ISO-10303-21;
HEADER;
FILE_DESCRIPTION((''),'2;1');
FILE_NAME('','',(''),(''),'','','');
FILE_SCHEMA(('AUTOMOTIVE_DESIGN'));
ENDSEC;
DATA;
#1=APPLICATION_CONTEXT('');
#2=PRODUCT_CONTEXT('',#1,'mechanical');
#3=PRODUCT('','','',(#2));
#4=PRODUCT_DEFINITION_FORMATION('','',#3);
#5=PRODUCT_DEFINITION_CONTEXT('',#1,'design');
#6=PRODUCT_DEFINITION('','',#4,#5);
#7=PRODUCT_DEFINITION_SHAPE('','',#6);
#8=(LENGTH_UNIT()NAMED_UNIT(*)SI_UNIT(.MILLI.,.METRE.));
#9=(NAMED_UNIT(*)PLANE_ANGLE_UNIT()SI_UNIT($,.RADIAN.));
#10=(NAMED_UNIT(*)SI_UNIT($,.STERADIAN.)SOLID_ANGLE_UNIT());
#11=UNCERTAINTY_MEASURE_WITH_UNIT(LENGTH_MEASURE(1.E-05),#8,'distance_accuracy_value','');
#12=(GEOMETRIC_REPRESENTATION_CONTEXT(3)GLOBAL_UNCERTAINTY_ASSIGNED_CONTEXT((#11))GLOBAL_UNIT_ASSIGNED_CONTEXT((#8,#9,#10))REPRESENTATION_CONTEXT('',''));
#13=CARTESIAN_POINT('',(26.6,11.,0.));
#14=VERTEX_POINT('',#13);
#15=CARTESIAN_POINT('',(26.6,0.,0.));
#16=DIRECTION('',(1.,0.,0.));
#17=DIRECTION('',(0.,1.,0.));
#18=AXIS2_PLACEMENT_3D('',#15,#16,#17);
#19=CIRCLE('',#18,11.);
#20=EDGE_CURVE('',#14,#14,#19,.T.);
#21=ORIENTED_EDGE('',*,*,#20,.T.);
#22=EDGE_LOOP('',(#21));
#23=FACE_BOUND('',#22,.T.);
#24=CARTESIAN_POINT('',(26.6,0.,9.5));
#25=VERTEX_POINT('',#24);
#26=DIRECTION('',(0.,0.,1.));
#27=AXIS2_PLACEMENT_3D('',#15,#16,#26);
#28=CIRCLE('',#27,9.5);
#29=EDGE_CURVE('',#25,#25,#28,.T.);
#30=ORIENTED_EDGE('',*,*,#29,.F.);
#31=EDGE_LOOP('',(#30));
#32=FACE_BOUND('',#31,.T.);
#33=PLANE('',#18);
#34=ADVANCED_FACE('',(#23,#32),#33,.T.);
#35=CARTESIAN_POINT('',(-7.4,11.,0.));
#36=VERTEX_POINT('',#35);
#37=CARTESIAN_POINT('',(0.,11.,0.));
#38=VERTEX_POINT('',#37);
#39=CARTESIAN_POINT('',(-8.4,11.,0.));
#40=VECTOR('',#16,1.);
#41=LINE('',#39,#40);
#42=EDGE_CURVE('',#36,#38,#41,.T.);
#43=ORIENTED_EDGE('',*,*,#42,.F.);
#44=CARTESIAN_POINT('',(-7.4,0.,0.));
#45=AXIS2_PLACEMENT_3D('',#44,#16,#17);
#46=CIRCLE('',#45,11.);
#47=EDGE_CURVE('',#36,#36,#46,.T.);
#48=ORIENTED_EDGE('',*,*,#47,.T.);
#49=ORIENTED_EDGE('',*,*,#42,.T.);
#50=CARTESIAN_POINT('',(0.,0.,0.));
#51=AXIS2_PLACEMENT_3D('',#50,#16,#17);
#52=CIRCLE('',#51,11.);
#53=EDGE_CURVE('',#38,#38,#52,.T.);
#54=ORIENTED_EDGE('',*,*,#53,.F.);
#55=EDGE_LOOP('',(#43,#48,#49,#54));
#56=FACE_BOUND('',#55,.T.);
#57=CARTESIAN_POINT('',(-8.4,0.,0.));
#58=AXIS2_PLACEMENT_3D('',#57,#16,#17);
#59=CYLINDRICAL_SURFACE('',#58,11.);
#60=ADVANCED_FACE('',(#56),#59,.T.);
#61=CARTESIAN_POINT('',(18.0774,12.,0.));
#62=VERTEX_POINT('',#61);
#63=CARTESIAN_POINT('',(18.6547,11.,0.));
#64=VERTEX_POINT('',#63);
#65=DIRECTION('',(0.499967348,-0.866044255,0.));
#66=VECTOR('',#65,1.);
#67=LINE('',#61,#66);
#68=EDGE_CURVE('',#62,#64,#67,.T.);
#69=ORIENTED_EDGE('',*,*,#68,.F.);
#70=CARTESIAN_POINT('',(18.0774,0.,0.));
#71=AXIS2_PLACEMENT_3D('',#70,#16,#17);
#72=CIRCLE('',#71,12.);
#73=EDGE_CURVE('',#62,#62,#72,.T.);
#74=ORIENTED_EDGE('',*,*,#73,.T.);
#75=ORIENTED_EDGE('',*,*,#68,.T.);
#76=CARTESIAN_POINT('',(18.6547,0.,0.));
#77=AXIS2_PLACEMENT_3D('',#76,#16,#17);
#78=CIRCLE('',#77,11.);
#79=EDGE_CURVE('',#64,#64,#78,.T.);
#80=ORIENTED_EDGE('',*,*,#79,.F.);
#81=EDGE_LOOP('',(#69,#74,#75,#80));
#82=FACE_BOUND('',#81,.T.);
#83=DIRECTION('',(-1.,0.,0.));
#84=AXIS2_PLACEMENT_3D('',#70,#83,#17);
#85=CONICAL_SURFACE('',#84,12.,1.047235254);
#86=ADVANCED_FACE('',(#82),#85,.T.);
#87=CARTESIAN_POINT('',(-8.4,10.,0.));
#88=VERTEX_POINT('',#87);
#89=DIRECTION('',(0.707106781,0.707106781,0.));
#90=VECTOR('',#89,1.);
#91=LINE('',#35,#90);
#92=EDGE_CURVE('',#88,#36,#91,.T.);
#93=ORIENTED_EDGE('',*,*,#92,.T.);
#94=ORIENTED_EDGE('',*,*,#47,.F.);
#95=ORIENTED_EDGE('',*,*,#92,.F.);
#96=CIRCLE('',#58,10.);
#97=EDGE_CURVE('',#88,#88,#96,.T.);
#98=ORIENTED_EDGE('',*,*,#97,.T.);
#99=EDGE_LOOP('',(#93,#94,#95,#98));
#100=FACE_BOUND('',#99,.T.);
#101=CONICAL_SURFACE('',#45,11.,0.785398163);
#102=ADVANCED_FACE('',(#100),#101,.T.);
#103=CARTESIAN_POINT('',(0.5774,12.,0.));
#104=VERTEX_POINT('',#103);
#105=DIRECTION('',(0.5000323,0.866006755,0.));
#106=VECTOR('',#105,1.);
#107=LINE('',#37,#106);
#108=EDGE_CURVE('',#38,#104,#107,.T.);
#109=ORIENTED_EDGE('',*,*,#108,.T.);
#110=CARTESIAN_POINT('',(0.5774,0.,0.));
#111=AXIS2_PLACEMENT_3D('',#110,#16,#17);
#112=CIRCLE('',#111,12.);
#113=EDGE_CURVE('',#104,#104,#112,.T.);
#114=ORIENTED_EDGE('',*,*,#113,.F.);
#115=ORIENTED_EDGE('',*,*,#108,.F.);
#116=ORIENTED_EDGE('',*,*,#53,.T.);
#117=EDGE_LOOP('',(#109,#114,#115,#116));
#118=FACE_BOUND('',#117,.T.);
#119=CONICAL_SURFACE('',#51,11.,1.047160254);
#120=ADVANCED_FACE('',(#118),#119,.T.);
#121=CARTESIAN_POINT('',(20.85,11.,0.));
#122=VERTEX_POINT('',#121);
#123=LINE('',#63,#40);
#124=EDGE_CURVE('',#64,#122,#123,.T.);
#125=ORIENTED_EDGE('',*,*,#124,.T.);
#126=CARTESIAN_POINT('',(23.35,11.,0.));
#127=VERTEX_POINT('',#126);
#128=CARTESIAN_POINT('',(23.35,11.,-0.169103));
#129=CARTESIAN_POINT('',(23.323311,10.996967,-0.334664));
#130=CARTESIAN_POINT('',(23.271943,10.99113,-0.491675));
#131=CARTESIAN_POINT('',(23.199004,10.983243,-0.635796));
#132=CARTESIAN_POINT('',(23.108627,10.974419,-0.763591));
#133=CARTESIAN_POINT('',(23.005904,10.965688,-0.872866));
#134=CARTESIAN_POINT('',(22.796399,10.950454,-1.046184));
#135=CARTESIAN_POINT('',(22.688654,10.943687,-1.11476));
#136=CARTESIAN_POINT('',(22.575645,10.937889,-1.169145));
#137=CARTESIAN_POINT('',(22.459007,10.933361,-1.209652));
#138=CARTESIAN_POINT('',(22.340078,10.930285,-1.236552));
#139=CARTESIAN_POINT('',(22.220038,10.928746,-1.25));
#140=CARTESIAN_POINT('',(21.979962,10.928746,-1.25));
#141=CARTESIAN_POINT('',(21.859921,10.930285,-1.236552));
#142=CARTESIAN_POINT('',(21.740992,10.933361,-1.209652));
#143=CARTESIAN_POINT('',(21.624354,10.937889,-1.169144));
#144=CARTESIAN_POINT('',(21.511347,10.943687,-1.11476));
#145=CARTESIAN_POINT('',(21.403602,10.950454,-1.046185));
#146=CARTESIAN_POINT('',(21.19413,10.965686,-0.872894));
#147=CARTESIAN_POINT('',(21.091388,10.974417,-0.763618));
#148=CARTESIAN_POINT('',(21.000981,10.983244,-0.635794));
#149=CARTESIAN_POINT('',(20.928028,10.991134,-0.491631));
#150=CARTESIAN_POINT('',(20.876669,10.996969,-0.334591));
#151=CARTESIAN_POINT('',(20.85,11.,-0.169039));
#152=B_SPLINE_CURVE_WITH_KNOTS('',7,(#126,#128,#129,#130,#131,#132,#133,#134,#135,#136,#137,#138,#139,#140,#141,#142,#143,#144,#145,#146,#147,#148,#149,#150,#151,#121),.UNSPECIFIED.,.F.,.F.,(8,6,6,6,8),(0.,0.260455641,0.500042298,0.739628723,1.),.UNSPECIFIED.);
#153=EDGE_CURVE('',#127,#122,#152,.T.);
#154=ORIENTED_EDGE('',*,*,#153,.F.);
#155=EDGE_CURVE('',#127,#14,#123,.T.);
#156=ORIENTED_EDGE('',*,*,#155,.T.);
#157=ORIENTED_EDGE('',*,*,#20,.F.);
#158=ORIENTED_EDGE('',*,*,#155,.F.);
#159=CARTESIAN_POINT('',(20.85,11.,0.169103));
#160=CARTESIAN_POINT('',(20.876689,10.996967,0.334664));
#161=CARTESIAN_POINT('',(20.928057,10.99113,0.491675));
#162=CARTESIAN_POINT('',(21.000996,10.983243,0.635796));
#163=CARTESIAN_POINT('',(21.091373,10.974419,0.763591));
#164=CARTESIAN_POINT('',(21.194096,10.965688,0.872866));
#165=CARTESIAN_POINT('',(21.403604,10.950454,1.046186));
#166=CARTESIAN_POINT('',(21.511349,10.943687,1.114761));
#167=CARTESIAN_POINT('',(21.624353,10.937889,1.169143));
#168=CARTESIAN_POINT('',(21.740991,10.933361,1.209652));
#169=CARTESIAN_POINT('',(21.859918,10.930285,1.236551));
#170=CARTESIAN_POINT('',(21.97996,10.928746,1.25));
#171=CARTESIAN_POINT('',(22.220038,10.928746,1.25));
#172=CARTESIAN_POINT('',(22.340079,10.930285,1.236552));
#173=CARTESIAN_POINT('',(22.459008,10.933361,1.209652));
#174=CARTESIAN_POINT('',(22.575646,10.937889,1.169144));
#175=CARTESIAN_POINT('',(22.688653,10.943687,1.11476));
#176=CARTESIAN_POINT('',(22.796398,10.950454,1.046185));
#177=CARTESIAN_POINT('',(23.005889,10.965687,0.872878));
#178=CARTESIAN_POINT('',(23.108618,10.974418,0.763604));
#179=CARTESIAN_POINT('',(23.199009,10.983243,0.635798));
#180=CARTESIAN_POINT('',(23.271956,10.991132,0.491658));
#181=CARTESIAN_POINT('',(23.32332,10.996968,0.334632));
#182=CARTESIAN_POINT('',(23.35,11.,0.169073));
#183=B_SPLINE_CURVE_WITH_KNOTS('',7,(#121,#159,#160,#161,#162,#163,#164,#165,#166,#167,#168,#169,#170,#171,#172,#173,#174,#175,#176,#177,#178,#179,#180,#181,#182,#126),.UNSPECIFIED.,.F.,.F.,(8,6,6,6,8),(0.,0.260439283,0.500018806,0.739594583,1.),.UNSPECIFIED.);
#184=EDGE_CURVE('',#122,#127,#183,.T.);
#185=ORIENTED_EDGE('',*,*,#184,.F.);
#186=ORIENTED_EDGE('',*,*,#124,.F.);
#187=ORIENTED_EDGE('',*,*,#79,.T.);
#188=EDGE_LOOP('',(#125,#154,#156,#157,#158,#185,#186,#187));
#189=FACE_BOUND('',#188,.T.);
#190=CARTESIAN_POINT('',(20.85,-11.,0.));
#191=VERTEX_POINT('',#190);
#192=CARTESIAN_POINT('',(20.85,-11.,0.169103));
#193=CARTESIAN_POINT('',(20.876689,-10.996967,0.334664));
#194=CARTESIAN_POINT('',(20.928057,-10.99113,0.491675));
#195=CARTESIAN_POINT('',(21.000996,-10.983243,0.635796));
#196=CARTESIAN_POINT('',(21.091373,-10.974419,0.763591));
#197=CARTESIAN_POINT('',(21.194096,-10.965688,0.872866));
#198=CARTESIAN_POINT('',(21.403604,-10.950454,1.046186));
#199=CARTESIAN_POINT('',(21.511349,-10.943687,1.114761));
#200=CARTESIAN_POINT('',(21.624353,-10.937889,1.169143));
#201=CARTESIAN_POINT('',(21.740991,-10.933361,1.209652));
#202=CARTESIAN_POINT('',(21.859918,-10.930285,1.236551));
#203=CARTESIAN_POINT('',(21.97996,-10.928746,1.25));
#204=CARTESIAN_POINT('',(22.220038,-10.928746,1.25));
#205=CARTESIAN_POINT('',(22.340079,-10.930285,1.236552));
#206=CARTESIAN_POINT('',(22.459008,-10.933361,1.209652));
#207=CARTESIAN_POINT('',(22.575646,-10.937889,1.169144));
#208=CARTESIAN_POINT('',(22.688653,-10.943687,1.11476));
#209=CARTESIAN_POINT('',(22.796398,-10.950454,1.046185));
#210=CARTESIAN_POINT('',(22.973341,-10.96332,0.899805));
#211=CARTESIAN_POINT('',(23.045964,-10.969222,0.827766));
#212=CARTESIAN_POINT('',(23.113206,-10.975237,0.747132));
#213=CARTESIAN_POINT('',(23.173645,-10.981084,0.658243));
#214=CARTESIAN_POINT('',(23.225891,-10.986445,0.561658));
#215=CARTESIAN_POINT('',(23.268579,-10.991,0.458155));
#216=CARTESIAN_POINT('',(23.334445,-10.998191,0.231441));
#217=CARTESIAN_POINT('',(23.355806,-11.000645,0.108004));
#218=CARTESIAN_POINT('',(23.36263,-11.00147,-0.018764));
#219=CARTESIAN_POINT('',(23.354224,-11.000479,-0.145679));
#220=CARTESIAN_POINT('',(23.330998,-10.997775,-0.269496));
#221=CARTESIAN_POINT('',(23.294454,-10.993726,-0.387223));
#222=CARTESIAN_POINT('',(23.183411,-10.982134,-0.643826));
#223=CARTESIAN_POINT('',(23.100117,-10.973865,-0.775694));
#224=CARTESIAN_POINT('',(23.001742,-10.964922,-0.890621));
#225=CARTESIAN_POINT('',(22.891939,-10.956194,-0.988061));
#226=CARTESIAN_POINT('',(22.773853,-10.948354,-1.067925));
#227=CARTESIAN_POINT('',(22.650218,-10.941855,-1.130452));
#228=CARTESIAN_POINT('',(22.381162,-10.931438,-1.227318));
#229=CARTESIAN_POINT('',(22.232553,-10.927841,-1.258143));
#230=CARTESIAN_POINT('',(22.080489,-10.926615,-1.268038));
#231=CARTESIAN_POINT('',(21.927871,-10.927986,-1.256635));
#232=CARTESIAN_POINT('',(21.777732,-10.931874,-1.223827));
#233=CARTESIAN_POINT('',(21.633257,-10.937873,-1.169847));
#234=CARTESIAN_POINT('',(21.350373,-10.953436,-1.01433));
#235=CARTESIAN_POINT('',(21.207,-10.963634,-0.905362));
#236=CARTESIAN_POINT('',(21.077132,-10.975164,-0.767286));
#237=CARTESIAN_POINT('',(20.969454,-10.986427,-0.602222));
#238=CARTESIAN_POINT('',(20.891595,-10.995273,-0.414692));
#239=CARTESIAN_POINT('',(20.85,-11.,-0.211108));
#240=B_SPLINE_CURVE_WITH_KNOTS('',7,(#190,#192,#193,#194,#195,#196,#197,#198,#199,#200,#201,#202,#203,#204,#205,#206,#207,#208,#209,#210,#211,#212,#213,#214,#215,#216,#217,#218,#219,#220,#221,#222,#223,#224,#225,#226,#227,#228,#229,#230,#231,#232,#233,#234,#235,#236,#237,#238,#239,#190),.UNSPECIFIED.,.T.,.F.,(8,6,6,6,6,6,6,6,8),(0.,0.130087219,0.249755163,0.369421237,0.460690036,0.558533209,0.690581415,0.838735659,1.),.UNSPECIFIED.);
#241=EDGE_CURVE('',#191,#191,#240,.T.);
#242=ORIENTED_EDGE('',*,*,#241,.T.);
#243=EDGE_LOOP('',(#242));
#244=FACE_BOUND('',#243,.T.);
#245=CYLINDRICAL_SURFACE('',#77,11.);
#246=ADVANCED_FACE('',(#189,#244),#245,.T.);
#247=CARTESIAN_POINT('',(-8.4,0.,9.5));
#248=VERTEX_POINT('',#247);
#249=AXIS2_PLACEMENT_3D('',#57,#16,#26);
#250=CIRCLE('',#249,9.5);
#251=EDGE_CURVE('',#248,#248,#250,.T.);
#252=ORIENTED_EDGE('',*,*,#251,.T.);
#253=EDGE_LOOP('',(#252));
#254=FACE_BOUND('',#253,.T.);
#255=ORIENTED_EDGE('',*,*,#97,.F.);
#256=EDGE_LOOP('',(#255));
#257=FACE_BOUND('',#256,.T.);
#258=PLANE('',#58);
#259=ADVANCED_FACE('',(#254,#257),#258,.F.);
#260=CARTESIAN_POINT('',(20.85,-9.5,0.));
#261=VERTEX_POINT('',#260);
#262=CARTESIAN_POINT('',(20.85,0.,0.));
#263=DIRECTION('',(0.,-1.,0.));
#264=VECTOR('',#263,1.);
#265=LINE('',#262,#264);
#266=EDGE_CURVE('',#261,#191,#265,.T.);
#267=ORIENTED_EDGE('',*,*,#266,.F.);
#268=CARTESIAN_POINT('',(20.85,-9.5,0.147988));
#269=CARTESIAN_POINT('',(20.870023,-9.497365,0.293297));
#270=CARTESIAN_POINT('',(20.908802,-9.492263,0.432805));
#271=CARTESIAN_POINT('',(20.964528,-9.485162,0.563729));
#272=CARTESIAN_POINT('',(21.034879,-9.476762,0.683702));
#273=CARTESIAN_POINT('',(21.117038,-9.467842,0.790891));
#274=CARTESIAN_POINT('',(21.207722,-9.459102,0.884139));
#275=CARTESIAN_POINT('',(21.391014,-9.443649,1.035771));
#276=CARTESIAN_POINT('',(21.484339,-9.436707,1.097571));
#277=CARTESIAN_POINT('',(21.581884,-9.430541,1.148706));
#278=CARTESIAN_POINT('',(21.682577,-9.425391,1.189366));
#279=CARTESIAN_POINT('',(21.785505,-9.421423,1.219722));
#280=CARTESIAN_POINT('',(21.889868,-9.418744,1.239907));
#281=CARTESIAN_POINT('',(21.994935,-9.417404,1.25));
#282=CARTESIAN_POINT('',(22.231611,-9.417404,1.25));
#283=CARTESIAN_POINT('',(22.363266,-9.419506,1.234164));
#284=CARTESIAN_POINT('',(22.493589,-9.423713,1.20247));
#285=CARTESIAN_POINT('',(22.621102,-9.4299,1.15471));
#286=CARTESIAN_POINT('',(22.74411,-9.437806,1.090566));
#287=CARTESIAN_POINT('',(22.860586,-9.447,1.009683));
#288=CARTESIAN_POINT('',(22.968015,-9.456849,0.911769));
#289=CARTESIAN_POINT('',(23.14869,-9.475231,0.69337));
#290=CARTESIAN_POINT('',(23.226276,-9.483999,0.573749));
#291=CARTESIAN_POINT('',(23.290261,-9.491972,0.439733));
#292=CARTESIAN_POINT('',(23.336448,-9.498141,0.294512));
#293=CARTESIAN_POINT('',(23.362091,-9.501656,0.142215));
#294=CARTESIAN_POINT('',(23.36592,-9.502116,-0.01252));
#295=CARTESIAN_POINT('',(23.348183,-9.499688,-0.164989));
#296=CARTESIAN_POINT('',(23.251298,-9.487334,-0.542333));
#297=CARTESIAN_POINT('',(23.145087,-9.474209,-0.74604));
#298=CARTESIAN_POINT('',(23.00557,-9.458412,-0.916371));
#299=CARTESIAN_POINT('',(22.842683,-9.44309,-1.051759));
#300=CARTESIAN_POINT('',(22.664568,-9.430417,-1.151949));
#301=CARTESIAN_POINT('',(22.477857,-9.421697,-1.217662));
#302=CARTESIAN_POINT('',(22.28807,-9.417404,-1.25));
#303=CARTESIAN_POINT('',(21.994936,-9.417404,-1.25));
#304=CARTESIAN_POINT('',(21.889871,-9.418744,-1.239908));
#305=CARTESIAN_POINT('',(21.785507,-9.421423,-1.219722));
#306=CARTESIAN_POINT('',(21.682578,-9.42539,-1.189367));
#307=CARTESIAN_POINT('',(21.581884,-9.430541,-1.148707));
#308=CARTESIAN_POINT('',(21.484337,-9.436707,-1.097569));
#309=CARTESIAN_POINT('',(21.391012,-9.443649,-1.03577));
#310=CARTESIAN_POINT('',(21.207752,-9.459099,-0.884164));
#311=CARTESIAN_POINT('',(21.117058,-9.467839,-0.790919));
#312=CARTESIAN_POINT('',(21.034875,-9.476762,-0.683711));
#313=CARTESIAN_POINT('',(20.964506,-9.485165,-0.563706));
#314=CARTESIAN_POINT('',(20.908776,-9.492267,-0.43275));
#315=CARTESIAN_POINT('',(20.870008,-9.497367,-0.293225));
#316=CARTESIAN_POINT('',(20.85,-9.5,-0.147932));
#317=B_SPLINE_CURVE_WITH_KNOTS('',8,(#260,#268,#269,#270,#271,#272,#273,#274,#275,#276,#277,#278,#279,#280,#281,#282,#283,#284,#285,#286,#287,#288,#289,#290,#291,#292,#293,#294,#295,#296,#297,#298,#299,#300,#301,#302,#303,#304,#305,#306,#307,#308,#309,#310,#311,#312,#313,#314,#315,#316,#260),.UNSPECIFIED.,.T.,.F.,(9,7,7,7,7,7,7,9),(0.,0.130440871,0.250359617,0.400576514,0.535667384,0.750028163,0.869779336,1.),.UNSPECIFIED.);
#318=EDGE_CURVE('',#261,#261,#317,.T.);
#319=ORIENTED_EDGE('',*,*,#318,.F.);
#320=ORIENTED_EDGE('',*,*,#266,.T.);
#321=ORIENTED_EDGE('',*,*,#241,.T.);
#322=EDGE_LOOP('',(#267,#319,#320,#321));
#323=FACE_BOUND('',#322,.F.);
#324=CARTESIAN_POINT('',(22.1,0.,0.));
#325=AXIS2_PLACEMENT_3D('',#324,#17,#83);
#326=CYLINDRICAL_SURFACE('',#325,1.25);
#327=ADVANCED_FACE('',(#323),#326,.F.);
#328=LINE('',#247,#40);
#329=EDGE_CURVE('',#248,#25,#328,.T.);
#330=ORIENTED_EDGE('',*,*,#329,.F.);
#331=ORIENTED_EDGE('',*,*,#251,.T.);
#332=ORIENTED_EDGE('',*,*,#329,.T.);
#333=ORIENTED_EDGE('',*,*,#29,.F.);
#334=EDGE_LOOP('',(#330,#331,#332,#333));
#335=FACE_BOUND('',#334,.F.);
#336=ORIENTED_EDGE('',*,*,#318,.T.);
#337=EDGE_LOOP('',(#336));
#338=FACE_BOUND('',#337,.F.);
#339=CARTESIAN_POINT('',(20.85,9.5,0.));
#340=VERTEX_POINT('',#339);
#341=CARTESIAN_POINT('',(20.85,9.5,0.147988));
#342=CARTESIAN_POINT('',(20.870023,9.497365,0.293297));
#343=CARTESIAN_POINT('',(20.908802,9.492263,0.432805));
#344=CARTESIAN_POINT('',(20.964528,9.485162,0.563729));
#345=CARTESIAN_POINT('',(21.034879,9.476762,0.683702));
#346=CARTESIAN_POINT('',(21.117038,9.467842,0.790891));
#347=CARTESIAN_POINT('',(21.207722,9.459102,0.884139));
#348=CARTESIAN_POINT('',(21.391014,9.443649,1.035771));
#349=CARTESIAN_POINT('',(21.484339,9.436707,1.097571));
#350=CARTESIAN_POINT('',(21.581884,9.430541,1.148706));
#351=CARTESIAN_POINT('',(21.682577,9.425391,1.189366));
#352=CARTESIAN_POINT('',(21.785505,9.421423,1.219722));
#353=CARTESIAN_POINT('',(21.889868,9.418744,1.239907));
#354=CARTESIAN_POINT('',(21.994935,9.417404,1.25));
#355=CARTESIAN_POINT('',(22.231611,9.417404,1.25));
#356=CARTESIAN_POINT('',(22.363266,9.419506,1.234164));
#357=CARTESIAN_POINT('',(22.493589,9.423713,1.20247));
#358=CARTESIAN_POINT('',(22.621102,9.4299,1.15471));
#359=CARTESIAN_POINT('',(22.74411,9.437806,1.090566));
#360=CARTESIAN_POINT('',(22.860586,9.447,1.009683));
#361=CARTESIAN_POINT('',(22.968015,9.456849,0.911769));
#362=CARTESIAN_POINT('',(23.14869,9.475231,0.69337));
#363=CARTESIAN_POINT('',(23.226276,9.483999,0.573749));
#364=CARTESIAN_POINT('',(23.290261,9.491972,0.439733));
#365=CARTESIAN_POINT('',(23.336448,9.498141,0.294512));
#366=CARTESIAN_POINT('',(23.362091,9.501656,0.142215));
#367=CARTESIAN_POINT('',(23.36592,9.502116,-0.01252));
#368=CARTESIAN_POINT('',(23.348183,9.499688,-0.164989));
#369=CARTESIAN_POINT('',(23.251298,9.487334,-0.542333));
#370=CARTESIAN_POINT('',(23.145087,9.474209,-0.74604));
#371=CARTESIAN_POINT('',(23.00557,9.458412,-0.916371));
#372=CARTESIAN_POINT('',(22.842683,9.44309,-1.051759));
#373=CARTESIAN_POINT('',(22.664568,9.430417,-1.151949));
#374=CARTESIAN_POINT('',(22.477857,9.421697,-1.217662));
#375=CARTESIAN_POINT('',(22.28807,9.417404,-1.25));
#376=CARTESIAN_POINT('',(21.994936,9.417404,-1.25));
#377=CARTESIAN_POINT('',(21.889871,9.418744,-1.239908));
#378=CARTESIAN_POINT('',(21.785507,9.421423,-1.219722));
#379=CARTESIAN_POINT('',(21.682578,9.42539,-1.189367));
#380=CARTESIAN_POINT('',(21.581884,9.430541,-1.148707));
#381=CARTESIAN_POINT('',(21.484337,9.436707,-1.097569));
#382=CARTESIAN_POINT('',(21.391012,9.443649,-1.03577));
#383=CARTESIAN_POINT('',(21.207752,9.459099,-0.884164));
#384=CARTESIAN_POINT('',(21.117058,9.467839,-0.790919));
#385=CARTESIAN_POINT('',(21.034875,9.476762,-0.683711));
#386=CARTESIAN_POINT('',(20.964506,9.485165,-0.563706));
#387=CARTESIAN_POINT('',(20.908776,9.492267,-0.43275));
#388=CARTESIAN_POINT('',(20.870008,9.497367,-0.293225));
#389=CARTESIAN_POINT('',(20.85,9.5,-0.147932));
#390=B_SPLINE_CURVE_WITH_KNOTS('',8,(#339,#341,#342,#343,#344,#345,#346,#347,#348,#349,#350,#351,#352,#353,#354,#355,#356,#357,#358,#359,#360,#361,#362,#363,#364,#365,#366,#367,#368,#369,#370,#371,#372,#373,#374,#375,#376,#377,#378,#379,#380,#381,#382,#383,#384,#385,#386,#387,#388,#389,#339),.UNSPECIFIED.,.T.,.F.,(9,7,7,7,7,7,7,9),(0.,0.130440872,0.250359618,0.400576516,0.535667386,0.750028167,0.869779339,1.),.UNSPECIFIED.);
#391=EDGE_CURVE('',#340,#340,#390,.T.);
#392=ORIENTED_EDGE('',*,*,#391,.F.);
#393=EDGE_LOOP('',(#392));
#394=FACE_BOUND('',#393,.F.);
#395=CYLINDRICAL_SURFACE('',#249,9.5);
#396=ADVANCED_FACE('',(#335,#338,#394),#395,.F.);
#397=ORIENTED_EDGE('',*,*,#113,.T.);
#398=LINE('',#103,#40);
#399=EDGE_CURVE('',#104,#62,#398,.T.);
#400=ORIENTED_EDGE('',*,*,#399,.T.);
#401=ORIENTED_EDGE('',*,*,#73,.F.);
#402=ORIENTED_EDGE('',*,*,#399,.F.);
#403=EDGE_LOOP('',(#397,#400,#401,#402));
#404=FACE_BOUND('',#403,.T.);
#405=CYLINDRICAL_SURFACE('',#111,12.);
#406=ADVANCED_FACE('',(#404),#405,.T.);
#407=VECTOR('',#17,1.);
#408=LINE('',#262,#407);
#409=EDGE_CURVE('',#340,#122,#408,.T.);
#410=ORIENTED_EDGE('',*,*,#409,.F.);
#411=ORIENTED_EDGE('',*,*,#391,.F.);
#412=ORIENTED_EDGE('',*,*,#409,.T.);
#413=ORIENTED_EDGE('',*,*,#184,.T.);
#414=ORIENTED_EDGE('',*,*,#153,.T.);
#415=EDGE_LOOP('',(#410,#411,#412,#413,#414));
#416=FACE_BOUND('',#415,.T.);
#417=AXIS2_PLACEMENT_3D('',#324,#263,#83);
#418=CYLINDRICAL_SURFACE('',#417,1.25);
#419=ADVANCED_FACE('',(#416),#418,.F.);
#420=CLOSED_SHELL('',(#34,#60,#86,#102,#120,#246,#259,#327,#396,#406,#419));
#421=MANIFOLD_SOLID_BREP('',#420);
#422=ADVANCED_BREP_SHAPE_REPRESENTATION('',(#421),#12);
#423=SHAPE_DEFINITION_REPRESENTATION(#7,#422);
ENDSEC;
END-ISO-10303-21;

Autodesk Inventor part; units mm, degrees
ref_plane "YZ Plane" through (0, 0, 0) normal (1, 0, 0) x (0, 1, 0)
ref_plane "XZ Plane" through (0, 0, 0) normal (0, 1, 0) x (-1, 0, 0)
ref_plane "XY Plane" through (0, 0, 0) normal (0, 0, 1) x (1, 0, 0)
sketch "Profile" plane through (0, 0, 0) normal (0, 0, 1) x (1, 0, 0)
  line L0 (-8.4, 0) -> (-8.4, 11)
  line L1 (-8.4, 11) -> (0, 11)
  line L2 (0, 11) -> (0.5774, 12)
  line L3 (0.5774, 12) -> (18.0774, 12)
  line L4 (18.0774, 12) -> (18.6547, 11)
  line L5 (18.6547, 11) -> (26.6, 11)
  line L6 (26.6, 11) -> (26.6, 0)
  line L7 (-8.4, 0) -> (0, 0)
  line L8 (0, 0) -> (0, 9)
  line L9 (0, 9) -> (18.6, 9)
  line L10 (18.6, 9) -> (18.6, 0)
  line L11 (18.6, 0) -> (26.6, 0)
  line L12 (-15.4, 0) -> (33.6, 0) construction
  line L13 (0, 11) -> (0, 9) construction
  dimension "BodyLength" = 35
  dimension "d1" = 11
  dimension "d3" = 120
  dimension "d4" = 120
  dimension "d5" = 17.5
  dimension "d6" = 8.4
  dimension "d16" = 8
  dimension "d29" = 1
  dimension "d30" = 9
revolve "ProfileRevolveFeature" add sketch "Profile" angle 360 about axis through (-10, 0, 0) along (1, 0, 0)
sketch "InsideHole" plane through (-8.4, 0, 0) normal (-1, 0, 0) x (0, 0, 1)
  circle A0 centre (0, 0) radius 9 construction
hole "InsideHoleFeature" at (-8.4, 0, 0) direction (1, 0, 0) diameter 19 end through all
chamfer "EndChamferFeature" distance 1 angle 45 1 edges at (-8.4, -11, 0)
sketch "CapMountHole" plane through (0, 0, 0) normal (0, 1, 0) x (-1, 0, 0)
  line L0 (-26.6, 11) -> (-26.6, -11) construction
  line L1 (7.6, 0) -> (-45.6, 0) construction
  circle A0 centre (-22.1, 0) radius 1.25
  point P0 (0, 0)
  dimension "d31" = 4.5
  dimension "d39" = 2.5
extrude "CapMountHoleFeature" cut sketch "CapMountHole" along normal through all both and the other way through all
equation "\"d5\" = 0.5 * BodyLength"
equation "\"d6\" = 0.24 * BodyLength"
properties part number "BackPair1PistonBody"
